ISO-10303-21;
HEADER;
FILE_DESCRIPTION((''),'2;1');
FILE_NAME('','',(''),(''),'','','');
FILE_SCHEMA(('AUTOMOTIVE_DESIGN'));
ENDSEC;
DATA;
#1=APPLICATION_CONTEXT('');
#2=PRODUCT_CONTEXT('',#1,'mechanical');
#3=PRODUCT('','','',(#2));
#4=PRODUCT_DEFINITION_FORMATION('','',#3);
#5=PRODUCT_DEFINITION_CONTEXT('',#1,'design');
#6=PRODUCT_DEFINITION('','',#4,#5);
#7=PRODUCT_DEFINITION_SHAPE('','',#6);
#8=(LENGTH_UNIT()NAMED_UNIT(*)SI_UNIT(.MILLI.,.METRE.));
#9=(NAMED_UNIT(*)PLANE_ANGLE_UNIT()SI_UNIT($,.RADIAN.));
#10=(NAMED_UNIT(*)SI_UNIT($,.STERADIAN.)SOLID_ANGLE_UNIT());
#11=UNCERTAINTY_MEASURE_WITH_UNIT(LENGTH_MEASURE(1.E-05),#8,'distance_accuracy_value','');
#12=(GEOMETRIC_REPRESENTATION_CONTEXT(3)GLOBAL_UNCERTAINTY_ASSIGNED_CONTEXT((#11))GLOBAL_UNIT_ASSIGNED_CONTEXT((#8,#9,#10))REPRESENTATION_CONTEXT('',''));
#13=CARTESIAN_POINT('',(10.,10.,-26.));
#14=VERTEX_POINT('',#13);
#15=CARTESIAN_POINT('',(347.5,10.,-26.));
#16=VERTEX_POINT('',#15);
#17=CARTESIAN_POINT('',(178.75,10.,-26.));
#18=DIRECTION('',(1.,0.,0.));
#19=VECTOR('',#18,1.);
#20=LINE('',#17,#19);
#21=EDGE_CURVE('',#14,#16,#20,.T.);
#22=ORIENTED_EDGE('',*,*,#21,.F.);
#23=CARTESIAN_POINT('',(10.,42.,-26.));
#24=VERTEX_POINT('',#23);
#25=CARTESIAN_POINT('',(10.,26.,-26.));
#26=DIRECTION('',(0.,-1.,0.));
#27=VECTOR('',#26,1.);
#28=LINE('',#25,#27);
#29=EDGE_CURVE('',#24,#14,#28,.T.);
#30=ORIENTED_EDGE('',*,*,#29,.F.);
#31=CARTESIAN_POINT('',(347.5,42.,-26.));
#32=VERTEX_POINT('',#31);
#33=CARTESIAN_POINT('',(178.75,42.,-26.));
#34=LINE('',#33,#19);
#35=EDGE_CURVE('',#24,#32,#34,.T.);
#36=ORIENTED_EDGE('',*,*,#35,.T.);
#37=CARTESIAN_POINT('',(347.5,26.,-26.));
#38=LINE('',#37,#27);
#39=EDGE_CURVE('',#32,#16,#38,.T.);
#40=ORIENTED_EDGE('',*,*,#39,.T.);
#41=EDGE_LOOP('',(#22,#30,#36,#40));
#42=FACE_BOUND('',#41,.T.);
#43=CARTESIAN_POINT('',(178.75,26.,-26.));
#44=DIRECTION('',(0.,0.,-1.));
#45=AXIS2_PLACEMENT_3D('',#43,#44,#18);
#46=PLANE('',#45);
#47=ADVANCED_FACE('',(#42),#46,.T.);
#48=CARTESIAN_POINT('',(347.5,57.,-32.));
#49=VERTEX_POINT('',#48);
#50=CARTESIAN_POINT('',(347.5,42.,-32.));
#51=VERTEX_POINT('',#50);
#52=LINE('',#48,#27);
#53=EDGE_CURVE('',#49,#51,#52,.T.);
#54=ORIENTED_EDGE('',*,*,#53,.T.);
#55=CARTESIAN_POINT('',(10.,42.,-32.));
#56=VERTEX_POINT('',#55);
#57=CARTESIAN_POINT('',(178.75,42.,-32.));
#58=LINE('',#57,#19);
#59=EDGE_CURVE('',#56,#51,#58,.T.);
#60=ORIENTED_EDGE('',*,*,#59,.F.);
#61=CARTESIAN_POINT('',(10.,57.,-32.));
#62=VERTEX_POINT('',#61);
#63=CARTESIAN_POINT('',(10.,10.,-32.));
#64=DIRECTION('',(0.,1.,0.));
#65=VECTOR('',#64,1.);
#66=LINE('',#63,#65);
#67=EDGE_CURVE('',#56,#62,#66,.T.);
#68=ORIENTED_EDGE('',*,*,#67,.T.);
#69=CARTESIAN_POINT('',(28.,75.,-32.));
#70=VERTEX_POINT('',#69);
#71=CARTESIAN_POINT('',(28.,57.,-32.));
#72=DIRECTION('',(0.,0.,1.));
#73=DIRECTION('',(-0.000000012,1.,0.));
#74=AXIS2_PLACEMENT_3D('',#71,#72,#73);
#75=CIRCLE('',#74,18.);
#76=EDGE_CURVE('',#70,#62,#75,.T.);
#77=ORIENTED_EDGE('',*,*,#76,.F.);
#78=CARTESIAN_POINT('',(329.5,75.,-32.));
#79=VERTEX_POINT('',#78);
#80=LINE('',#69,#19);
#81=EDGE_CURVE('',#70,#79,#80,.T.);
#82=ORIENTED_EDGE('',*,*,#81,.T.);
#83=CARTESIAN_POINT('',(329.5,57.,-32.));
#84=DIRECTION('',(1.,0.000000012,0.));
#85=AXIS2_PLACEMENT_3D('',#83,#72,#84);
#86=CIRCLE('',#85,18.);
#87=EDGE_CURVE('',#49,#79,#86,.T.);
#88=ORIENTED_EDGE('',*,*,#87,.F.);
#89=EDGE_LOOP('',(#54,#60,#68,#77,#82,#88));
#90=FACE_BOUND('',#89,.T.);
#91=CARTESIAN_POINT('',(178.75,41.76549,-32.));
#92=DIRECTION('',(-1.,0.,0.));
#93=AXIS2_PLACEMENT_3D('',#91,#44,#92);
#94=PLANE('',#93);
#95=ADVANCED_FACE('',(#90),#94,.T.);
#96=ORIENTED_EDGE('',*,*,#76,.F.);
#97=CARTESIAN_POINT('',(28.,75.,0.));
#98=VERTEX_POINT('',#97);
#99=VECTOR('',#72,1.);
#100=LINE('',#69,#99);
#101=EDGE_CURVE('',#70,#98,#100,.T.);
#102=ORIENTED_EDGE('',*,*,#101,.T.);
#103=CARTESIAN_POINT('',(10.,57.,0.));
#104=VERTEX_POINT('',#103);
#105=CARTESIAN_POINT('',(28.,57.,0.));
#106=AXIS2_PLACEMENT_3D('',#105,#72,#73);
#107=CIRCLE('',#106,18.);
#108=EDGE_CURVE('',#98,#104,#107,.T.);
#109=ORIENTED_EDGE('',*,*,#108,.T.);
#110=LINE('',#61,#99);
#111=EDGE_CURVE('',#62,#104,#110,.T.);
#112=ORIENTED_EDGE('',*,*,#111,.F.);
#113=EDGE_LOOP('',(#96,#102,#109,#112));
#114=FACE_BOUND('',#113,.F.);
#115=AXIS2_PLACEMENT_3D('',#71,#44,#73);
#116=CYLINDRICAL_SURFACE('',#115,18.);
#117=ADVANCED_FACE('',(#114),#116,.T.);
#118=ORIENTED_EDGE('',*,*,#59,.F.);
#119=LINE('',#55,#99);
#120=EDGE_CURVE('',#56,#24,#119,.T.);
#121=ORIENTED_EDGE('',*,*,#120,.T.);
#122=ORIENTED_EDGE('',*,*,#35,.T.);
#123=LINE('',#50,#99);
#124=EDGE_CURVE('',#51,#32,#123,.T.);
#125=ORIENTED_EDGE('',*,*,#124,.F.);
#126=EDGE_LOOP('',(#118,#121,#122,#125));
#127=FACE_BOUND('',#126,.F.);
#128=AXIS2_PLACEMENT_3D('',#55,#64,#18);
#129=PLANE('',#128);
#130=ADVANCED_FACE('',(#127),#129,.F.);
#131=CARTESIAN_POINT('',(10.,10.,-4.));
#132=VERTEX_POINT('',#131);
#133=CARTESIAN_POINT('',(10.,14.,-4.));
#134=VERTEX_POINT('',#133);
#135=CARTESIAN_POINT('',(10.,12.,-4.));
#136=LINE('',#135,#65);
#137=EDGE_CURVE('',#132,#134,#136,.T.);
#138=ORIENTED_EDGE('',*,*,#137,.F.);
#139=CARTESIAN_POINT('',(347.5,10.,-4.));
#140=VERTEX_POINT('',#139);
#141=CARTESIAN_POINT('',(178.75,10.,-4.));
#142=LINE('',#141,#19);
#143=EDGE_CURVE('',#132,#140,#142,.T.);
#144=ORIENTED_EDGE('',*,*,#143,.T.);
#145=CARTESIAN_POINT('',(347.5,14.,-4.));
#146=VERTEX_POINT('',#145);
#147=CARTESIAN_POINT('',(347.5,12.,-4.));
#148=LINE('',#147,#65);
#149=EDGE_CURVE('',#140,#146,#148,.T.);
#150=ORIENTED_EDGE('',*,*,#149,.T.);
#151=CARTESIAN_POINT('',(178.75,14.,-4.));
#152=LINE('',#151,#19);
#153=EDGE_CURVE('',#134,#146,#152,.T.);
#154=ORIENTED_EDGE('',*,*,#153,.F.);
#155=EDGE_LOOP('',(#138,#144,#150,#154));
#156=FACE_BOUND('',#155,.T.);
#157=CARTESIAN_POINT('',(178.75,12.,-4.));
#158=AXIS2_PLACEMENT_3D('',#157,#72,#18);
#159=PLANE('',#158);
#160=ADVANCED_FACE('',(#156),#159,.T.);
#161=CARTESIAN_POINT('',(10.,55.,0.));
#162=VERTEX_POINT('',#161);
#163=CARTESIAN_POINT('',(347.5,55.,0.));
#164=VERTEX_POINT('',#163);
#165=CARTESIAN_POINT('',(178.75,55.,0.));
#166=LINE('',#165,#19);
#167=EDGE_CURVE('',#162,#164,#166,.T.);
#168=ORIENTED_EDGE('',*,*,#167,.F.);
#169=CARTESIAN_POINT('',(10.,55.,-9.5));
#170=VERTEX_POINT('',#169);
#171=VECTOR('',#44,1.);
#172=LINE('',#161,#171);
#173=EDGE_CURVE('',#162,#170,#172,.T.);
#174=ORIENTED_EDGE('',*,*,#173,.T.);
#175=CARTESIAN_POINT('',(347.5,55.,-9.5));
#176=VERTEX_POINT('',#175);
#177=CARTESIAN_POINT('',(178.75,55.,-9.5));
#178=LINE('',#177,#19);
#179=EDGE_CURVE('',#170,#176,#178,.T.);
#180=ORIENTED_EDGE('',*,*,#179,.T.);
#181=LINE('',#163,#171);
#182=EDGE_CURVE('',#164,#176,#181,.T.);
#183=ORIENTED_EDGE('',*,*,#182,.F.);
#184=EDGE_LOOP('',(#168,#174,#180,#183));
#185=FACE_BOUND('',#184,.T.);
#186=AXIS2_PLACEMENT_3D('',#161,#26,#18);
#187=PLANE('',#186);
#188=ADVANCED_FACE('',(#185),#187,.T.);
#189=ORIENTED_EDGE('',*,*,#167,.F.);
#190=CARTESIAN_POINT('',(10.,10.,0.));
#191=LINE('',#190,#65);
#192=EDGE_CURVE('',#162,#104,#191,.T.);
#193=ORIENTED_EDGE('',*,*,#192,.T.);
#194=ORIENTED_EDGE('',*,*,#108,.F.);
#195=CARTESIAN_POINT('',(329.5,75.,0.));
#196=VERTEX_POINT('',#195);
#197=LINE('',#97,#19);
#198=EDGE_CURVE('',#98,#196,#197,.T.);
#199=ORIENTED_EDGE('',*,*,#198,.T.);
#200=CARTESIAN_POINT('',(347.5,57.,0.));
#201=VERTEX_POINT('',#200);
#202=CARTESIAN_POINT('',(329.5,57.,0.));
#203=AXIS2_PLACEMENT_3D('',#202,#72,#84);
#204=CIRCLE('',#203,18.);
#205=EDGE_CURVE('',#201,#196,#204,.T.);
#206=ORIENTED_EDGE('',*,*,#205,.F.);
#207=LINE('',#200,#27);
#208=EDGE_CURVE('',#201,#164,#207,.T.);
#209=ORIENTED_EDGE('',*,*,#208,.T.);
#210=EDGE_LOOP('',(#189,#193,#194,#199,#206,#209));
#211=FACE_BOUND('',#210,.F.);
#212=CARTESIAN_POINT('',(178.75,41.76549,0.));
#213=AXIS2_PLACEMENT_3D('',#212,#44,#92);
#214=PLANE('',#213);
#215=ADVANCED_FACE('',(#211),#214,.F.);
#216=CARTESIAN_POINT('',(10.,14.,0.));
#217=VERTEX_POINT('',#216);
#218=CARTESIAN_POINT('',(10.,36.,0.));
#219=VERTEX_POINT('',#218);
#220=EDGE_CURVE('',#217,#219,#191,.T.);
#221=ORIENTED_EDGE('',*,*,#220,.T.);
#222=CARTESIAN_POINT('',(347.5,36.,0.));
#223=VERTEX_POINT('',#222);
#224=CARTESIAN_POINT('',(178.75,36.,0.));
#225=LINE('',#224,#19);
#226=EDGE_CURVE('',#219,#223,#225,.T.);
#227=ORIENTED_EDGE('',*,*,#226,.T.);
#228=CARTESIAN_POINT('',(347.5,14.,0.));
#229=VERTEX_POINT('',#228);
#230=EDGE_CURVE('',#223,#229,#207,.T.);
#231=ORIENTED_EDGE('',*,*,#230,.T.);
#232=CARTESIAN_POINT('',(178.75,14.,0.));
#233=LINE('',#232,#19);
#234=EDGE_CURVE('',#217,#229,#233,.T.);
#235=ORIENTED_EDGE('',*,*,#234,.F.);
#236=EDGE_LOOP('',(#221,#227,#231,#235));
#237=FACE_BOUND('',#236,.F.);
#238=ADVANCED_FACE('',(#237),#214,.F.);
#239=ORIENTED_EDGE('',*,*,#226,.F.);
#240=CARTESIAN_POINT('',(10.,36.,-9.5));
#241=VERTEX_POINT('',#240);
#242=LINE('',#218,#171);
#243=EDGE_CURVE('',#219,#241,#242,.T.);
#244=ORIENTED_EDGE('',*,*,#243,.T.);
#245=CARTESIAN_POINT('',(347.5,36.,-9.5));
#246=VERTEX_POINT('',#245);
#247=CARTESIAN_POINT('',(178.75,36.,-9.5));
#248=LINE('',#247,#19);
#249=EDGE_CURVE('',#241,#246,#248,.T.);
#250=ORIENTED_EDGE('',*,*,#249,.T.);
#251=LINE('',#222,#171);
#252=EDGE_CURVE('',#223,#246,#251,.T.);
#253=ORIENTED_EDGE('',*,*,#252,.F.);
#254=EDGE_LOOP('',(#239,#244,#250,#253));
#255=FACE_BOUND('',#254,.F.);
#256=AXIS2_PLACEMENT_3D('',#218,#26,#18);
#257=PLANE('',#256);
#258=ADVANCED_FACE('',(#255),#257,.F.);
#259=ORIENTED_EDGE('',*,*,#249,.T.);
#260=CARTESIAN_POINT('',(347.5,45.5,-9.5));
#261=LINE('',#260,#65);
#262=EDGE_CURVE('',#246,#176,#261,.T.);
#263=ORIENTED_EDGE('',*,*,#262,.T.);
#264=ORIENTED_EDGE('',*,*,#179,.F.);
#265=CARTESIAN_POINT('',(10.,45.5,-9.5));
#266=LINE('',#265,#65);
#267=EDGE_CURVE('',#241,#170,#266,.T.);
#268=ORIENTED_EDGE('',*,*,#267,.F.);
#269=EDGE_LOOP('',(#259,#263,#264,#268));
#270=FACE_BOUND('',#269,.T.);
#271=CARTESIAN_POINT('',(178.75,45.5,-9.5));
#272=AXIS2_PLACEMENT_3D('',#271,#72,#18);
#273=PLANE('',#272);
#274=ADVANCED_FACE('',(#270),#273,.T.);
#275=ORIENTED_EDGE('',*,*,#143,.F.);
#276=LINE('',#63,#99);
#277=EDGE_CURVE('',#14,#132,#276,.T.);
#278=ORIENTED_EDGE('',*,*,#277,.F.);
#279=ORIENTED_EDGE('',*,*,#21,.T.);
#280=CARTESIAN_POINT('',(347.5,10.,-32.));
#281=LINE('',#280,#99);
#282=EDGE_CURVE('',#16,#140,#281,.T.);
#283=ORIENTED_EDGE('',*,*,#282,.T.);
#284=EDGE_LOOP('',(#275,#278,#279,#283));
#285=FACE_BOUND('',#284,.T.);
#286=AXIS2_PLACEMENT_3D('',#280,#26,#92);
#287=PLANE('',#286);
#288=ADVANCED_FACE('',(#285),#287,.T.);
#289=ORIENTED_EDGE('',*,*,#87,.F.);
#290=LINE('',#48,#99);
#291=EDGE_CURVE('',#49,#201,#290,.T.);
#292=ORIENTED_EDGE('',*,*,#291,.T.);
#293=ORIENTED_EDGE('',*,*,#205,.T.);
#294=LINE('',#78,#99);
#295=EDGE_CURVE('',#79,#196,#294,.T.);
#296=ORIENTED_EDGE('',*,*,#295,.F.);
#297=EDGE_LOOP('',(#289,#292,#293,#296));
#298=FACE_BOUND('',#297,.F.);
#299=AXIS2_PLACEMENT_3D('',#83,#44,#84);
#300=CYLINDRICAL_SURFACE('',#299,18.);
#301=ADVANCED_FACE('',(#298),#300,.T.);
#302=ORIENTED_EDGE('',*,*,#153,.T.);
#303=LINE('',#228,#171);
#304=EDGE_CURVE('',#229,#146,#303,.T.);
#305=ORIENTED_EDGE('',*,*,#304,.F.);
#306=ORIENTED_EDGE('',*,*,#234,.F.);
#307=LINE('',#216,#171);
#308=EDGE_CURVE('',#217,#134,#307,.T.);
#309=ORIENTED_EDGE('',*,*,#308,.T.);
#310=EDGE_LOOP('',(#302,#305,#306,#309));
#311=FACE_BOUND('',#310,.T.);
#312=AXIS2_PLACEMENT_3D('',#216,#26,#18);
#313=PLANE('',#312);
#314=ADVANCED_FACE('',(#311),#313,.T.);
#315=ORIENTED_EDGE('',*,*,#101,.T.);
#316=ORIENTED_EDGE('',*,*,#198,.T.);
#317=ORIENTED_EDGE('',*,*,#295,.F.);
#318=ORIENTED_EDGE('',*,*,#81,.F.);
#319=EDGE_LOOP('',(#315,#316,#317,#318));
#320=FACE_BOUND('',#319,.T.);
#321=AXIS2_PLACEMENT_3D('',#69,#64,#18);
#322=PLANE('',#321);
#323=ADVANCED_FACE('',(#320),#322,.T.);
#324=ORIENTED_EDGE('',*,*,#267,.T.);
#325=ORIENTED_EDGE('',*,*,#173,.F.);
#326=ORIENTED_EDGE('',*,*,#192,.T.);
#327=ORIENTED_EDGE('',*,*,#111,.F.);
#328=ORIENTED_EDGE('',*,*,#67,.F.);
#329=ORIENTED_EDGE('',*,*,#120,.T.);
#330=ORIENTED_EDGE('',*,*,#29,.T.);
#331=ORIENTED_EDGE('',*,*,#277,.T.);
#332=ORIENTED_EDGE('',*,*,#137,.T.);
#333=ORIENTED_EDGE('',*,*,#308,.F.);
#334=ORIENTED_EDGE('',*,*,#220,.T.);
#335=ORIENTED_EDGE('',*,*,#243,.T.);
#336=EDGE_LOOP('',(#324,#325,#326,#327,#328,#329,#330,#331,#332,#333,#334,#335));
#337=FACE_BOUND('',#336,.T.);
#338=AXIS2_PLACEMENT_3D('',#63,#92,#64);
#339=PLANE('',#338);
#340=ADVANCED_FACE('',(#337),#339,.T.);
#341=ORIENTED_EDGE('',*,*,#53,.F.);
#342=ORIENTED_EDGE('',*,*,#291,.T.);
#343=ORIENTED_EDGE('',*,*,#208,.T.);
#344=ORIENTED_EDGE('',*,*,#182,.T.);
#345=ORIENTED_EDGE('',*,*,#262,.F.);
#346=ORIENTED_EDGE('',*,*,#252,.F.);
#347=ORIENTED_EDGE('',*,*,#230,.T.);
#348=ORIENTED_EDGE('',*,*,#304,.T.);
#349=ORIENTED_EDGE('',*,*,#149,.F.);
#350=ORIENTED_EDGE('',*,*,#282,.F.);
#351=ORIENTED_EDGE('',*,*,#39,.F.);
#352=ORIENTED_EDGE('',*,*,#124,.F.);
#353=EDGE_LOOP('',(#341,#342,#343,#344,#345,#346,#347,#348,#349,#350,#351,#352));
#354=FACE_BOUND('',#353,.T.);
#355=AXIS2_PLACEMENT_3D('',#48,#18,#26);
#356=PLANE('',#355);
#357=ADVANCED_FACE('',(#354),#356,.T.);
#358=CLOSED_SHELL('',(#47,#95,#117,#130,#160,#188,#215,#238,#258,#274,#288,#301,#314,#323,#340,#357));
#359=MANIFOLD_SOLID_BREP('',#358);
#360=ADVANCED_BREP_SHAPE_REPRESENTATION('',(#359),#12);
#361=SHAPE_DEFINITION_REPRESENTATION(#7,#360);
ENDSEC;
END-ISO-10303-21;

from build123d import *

# Parameters (mm, degrees)
PAD005_DEPTH    = 32
SKETCH013_W     = 337.5
SKETCH013_H     = 19
POCKET007_DEPTH = 9.5
SKETCH014_W     = 337.5
SKETCH014_H     = 4
POCKET008_DEPTH = 4
SKETCH015_W     = 337.5
SKETCH015_H     = 32
POCKET009_DEPTH = 6


with BuildPart() as part:
    # Sketch012 → Pad005 (new body)
    with BuildSketch(Plane.XY):
        with BuildLine():
            Line((18, 65), (319.5, 65))
            ThreePointArc((337.5, 47), (332.227922, 59.727922), (319.5, 65))
            Line((337.5, 47), (337.5, 0))
            Line((337.5, 0), (0, 0))
            Line((0, 0), (0, 47))
            ThreePointArc((18, 65), (5.272078, 59.727922), (0, 47))
        make_face()
    extrude(amount=PAD005_DEPTH)

    # Sketch013 (on Face8 of Pad005) → Pocket007 (cut)
    with BuildSketch(Plane.XY.offset(32)):
        with Locations((168.75, 35.5)):
            Rectangle(SKETCH013_W, SKETCH013_H)
    extrude(amount=-POCKET007_DEPTH, mode=Mode.SUBTRACT)

    # Sketch014 (on Face4 of Pocket007) → Pocket008 (cut)
    with BuildSketch(Plane.XY.offset(32)):
        with Locations((168.75, 2)):
            Rectangle(SKETCH014_W, SKETCH014_H)
    extrude(amount=-POCKET008_DEPTH, mode=Mode.SUBTRACT)

    # Sketch015 (on Face2 of Pocket008) → Pocket009 (cut)
    with BuildSketch(Plane(origin=(0, 0, 0), x_dir=(1, 0, 0), z_dir=(0, 0, -1))):
        with Locations((168.75, -16)):
            Rectangle(SKETCH015_W, SKETCH015_H)
    extrude(amount=-POCKET009_DEPTH, mode=Mode.SUBTRACT)


with BuildPart() as part_1:
    # Clone placement: moved
    add(part.part.moved(Location((10, 10, -32))))


solid = part_1.part
